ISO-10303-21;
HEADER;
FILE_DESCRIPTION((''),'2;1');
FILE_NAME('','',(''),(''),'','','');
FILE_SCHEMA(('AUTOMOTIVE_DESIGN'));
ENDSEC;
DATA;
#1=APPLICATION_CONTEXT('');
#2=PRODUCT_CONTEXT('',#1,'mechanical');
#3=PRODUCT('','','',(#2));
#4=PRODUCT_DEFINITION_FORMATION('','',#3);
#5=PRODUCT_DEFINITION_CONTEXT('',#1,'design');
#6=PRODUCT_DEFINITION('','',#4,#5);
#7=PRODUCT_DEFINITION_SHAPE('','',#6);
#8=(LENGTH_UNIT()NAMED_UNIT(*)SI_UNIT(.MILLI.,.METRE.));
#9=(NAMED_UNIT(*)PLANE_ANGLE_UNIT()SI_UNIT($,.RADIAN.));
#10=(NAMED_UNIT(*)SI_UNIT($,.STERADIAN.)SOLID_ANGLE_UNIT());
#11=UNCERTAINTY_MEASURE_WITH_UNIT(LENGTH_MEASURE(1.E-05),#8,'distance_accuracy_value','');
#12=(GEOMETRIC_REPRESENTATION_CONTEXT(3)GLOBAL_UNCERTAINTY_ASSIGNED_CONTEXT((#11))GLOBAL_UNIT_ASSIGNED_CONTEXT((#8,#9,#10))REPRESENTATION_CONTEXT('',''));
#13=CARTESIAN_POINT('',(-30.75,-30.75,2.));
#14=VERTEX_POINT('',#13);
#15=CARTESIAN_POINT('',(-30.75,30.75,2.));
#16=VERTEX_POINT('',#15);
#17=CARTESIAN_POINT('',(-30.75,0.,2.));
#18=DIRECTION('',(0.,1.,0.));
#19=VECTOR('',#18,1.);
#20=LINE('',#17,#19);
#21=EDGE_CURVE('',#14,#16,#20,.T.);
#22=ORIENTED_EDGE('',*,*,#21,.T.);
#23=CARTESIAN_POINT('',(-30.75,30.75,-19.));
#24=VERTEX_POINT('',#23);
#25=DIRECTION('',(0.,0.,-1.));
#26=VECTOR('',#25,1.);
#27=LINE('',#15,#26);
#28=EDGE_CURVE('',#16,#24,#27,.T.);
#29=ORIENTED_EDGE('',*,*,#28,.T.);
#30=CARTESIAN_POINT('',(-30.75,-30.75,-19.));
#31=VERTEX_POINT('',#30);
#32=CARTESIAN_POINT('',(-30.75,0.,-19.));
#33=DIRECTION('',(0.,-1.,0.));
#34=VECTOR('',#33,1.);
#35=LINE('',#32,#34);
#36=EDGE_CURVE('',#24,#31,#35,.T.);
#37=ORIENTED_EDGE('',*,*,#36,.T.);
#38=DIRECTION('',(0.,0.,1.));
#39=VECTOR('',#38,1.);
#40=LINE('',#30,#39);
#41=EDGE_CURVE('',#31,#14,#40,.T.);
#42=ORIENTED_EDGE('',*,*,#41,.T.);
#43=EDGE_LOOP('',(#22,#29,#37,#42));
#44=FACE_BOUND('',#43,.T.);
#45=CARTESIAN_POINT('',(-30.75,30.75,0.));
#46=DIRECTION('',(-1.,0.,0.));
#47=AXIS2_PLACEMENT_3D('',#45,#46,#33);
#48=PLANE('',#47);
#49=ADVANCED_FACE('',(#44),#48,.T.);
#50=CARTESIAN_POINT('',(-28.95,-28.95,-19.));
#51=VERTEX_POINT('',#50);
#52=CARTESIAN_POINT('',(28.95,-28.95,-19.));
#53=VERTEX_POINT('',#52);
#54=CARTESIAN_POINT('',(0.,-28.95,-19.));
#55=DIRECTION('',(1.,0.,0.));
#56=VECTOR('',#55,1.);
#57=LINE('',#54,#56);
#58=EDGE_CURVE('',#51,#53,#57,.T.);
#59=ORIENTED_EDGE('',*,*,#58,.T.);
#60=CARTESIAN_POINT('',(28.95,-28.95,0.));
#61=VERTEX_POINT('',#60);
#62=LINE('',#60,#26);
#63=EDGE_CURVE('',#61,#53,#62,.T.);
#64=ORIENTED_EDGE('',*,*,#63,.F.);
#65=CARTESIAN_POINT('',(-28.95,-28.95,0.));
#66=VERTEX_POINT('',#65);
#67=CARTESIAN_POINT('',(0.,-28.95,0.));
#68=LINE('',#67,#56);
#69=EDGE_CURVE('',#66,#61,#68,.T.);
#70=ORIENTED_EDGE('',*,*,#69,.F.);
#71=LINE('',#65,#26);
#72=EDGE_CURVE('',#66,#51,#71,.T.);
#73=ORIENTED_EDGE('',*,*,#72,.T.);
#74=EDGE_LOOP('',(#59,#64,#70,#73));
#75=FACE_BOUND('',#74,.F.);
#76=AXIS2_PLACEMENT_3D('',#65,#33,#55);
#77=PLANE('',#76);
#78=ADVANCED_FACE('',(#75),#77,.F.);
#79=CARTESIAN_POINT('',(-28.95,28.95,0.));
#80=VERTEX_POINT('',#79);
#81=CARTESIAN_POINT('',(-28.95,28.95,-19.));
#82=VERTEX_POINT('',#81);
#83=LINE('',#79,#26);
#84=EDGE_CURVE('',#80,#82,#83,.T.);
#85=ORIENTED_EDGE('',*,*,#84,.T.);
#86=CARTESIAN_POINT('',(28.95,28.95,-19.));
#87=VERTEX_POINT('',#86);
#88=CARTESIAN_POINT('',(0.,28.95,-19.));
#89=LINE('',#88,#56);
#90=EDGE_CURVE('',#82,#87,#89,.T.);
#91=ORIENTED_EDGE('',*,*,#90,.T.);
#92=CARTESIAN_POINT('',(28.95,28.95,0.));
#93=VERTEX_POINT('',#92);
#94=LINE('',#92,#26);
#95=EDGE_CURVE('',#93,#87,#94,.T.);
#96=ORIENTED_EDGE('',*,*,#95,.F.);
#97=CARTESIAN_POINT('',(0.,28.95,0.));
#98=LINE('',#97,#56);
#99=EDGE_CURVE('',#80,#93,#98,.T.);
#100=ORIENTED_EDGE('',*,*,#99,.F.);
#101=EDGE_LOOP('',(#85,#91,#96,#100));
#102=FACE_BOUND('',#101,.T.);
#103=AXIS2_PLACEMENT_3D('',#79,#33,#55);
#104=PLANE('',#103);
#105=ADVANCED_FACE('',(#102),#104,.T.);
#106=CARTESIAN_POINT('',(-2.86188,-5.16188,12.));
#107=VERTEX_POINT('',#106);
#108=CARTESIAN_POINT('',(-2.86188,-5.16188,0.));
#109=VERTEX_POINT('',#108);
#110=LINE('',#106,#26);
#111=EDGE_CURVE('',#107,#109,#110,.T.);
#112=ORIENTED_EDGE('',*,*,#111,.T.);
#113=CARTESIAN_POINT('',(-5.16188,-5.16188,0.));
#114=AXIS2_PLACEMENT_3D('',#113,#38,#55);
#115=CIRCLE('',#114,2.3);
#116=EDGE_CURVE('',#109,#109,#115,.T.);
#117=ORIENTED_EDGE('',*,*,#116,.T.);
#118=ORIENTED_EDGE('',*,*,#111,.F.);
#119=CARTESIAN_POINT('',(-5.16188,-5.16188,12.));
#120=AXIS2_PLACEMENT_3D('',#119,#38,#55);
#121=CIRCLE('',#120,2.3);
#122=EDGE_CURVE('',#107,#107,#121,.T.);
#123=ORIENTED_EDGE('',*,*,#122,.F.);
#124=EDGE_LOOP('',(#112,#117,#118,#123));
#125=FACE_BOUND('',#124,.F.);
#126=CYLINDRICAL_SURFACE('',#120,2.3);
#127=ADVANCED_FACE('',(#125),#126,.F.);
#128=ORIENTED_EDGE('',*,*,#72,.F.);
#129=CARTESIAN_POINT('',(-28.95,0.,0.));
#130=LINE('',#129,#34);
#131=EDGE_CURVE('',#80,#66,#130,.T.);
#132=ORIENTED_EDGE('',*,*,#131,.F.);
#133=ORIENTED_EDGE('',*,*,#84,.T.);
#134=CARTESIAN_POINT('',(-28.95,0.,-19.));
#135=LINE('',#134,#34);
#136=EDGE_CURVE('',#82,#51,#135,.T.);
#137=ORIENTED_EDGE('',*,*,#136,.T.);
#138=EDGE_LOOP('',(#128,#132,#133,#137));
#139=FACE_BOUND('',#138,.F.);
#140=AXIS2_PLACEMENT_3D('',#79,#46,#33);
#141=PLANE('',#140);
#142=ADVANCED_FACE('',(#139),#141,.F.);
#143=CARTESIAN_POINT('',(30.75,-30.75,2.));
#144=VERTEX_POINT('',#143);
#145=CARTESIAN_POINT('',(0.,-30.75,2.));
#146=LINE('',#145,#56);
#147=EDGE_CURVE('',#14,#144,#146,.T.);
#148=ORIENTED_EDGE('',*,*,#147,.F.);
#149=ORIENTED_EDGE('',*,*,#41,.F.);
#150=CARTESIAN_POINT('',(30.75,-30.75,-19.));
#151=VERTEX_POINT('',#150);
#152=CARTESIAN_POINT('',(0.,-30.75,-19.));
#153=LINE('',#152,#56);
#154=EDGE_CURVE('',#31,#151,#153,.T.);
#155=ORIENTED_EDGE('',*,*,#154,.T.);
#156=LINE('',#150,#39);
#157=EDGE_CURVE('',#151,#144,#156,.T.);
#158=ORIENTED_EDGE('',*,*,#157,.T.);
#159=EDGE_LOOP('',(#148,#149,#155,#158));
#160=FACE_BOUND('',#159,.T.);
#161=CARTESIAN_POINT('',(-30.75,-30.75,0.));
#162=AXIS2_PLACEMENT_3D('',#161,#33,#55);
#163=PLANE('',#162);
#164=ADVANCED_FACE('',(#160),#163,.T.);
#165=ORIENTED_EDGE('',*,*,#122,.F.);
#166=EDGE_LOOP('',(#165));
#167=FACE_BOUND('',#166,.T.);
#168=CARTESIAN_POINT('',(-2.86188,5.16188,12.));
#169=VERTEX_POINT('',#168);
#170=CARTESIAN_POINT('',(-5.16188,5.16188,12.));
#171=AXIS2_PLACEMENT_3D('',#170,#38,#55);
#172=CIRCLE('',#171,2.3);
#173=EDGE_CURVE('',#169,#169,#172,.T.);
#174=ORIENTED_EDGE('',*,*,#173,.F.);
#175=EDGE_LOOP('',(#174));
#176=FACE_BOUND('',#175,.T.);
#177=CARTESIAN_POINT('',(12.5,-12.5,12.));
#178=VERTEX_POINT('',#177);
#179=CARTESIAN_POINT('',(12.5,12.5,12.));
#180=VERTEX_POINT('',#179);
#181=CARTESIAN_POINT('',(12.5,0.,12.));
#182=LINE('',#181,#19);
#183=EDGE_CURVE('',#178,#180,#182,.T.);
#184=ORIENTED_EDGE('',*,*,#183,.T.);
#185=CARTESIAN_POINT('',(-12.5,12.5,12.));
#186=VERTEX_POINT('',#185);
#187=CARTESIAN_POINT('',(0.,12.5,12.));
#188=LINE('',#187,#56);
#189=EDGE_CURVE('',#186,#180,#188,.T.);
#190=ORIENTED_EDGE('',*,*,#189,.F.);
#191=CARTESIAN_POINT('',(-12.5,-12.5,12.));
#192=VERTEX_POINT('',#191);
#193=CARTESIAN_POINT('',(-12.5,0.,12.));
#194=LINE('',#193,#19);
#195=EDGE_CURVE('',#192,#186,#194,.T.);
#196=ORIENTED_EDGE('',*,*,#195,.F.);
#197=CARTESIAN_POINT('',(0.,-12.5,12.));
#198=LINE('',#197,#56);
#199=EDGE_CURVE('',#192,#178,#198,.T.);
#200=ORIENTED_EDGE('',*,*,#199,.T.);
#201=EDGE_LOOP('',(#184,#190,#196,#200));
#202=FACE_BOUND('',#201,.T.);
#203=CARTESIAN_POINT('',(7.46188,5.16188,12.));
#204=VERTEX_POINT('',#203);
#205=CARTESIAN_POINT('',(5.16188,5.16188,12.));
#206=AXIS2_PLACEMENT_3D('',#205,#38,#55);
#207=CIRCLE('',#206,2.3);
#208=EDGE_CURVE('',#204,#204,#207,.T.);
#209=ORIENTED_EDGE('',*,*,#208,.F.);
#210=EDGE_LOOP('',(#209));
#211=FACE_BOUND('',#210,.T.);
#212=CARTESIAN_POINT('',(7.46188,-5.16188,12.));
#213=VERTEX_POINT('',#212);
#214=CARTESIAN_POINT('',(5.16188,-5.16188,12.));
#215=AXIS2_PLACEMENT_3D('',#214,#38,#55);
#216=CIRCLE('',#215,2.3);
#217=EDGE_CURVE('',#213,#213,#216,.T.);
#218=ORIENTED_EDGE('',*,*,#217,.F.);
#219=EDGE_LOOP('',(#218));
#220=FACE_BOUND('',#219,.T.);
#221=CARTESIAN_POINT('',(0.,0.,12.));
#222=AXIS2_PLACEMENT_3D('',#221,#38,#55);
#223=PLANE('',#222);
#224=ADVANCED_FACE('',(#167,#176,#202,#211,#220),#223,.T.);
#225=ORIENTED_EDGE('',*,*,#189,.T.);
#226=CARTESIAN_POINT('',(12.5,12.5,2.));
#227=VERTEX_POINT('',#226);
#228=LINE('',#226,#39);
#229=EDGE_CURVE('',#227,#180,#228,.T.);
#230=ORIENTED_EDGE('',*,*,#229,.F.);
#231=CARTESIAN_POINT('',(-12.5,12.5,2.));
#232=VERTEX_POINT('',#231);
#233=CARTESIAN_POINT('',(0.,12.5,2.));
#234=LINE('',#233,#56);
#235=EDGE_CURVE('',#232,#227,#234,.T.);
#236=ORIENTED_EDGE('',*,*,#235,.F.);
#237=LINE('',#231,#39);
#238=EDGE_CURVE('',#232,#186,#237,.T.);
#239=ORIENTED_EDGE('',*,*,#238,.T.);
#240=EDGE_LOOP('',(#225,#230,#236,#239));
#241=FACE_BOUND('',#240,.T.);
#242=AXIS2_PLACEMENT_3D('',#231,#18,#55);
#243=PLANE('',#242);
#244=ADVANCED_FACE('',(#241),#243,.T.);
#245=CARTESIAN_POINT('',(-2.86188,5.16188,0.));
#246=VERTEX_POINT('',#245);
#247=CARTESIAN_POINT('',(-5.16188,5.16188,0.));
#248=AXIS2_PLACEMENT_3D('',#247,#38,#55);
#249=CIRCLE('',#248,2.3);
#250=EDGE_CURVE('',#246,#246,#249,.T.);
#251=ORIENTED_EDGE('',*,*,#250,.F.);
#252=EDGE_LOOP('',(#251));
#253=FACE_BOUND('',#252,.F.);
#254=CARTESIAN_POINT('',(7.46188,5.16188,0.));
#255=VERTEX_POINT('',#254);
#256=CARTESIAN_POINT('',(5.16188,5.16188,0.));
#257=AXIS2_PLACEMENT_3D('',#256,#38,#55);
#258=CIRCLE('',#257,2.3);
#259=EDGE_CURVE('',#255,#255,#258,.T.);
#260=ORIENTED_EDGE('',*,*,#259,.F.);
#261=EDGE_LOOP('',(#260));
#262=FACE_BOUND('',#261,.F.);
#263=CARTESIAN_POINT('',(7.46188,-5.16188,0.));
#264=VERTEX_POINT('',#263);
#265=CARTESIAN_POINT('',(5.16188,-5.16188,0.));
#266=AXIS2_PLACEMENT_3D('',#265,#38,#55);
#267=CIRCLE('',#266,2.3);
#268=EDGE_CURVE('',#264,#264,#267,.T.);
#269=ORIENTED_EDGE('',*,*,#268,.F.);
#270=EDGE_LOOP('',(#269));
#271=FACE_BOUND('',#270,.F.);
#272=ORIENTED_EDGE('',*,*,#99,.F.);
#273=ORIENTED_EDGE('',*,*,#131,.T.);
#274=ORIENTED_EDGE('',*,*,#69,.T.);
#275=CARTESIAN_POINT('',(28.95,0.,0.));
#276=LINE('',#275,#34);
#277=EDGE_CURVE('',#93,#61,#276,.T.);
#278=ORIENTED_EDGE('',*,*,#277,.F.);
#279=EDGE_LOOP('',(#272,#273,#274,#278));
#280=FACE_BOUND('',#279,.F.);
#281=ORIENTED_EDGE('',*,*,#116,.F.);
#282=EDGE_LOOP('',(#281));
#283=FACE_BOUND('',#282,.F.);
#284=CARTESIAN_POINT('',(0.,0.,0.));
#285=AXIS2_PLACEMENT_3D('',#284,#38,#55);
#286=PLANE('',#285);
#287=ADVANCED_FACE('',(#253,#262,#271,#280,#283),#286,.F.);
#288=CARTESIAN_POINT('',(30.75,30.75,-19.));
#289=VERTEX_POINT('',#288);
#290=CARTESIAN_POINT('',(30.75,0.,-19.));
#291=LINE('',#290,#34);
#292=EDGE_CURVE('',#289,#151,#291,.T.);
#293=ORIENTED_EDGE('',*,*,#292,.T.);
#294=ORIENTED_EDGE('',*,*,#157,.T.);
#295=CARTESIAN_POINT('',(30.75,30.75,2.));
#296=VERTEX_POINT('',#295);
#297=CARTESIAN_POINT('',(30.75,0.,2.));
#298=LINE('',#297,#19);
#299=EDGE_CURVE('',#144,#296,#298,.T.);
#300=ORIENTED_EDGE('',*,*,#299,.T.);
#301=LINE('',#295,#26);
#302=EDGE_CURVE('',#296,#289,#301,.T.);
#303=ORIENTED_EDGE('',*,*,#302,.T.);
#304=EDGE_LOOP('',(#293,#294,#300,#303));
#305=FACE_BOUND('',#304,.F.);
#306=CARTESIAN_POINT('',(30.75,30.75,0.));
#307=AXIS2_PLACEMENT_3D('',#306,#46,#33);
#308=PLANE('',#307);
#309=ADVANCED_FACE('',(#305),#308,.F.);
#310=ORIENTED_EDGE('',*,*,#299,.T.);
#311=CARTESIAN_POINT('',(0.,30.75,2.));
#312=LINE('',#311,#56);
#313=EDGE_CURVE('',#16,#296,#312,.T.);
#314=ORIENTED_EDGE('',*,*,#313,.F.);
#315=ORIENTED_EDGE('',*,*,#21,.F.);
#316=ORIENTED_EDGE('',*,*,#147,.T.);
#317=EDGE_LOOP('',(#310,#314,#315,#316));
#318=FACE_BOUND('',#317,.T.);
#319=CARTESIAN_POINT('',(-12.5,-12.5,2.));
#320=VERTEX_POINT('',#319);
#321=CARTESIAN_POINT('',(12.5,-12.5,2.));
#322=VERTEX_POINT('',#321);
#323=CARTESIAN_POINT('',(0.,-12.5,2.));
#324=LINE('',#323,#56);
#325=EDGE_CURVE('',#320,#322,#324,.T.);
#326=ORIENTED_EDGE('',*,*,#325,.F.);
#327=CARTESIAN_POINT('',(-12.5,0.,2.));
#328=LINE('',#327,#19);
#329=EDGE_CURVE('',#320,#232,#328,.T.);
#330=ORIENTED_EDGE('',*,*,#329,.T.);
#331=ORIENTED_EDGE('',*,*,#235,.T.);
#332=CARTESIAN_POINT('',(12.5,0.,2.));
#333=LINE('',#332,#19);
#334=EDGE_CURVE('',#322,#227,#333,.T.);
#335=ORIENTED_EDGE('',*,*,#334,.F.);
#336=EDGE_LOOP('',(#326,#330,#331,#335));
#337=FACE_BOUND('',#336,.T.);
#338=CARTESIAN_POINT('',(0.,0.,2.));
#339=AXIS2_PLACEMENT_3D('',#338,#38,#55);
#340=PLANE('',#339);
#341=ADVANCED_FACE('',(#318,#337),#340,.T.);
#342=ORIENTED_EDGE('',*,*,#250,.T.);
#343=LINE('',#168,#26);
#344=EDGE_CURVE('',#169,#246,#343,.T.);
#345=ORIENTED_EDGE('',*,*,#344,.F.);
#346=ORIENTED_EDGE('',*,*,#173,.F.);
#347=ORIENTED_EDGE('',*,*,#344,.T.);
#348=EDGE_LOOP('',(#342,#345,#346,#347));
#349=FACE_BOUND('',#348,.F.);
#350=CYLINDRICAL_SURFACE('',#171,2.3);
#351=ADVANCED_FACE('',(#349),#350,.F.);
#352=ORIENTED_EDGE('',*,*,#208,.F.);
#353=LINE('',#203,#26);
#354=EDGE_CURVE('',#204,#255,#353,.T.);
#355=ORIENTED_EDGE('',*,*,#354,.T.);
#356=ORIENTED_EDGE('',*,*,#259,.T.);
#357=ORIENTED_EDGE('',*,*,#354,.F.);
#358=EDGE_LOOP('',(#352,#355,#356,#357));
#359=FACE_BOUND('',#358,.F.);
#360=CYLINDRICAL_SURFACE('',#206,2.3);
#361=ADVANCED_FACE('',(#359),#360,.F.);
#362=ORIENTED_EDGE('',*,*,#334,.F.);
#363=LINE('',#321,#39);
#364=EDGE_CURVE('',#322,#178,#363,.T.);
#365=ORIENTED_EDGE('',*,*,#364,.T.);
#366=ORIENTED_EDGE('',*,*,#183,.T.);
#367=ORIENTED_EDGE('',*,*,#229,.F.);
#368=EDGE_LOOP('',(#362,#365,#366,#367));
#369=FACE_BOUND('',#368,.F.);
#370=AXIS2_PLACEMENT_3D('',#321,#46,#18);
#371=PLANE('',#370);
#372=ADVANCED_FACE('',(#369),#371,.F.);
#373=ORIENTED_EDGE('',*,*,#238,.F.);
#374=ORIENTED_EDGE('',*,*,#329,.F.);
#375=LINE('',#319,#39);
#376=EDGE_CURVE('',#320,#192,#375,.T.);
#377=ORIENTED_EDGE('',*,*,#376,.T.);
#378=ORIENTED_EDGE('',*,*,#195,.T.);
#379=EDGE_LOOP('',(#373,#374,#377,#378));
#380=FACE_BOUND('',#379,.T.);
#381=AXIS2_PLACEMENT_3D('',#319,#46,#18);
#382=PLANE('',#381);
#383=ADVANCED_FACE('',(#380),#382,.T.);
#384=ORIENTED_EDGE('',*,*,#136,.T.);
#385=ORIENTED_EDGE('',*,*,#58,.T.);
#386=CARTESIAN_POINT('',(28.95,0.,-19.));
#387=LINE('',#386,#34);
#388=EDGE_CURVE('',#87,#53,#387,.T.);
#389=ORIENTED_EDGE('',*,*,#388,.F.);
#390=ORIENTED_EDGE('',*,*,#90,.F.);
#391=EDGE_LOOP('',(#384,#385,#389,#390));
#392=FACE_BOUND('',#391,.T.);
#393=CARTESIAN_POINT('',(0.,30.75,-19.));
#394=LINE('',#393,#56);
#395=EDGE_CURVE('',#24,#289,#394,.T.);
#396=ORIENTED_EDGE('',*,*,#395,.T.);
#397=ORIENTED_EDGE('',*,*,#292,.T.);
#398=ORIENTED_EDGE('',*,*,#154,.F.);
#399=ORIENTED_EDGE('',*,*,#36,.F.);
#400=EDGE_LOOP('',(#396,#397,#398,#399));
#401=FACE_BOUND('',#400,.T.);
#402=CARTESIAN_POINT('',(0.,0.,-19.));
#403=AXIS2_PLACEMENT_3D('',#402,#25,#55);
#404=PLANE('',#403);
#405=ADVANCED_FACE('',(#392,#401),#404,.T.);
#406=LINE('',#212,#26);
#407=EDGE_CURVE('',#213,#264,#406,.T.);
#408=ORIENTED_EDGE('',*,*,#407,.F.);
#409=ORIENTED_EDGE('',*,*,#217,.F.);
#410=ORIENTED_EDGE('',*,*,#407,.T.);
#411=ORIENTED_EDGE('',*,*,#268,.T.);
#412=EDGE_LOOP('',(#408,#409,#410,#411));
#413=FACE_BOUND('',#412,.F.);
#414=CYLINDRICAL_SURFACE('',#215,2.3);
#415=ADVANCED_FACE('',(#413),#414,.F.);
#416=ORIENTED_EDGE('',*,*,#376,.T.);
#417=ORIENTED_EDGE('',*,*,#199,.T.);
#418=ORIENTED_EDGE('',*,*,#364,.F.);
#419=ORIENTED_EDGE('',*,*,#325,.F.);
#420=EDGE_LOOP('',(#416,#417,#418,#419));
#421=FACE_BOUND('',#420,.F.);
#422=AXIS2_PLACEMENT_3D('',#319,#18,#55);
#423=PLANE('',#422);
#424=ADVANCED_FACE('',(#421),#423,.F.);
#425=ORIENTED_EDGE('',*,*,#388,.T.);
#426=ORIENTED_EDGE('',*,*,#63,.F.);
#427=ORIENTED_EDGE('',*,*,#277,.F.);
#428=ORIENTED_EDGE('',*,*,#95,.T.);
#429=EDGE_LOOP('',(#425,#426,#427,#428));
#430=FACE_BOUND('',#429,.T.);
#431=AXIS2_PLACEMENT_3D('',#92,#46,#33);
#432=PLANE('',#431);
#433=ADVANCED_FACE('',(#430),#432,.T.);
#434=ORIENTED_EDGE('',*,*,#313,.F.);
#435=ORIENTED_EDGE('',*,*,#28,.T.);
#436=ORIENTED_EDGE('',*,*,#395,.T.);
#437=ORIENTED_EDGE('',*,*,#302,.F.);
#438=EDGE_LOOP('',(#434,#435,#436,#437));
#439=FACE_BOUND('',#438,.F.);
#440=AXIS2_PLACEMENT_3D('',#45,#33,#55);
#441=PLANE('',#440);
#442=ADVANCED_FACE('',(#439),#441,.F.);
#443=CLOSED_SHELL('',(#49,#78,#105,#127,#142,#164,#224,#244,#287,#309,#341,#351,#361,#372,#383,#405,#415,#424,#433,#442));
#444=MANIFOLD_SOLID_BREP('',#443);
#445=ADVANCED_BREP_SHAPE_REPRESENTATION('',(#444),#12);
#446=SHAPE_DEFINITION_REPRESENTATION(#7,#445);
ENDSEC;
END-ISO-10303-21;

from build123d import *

# Parameters (mm, degrees)
SKETCH_W      = 61.5
SKETCH_H      = 61.5
PAD_DEPTH     = 2
SKETCH001_W   = 61.5
SKETCH001_H   = 61.5
SKETCH001_W_2 = 57.9
SKETCH001_H_2 = 57.9
PAD001_DEPTH  = 19
SKETCH002_W   = 25
SKETCH002_H   = 25
PAD002_DEPTH  = 10
SKETCH003_R   = 2.3
POCKET_DEPTH  = 31.001


with BuildPart() as part:
    # Sketch → Pad (new body)
    with BuildSketch(Plane.XY):
        Rectangle(SKETCH_W, SKETCH_H)
    extrude(amount=PAD_DEPTH)

    # Sketch001 → Pad001 (new body)
    with BuildSketch(Plane(origin=(0, 0, 0), x_dir=(1, 0, 0), z_dir=(0, 0, -1))):
        Rectangle(SKETCH001_W, SKETCH001_H)
        Rectangle(SKETCH001_W_2, SKETCH001_H_2, mode=Mode.SUBTRACT)
    extrude(amount=PAD001_DEPTH)

    # Sketch002 → Pad002 (new body)
    with BuildSketch(Plane.XY.offset(2)):
        Rectangle(SKETCH002_W, SKETCH002_H)
    extrude(amount=PAD002_DEPTH)

    # Sketch003 → Pocket (cut, through all)
    with BuildSketch(Plane.XY.offset(12)):
        with Locations((-5.16188, 5.16188)):
            Circle(SKETCH003_R)
        with Locations((5.16188, -5.16188)):
            Circle(SKETCH003_R)
        with Locations((5.16188, 5.16188)):
            Circle(SKETCH003_R)
        with Locations((-5.16188, -5.16188)):
            Circle(SKETCH003_R)
    extrude(amount=-POCKET_DEPTH, mode=Mode.SUBTRACT)


solid = part.part
